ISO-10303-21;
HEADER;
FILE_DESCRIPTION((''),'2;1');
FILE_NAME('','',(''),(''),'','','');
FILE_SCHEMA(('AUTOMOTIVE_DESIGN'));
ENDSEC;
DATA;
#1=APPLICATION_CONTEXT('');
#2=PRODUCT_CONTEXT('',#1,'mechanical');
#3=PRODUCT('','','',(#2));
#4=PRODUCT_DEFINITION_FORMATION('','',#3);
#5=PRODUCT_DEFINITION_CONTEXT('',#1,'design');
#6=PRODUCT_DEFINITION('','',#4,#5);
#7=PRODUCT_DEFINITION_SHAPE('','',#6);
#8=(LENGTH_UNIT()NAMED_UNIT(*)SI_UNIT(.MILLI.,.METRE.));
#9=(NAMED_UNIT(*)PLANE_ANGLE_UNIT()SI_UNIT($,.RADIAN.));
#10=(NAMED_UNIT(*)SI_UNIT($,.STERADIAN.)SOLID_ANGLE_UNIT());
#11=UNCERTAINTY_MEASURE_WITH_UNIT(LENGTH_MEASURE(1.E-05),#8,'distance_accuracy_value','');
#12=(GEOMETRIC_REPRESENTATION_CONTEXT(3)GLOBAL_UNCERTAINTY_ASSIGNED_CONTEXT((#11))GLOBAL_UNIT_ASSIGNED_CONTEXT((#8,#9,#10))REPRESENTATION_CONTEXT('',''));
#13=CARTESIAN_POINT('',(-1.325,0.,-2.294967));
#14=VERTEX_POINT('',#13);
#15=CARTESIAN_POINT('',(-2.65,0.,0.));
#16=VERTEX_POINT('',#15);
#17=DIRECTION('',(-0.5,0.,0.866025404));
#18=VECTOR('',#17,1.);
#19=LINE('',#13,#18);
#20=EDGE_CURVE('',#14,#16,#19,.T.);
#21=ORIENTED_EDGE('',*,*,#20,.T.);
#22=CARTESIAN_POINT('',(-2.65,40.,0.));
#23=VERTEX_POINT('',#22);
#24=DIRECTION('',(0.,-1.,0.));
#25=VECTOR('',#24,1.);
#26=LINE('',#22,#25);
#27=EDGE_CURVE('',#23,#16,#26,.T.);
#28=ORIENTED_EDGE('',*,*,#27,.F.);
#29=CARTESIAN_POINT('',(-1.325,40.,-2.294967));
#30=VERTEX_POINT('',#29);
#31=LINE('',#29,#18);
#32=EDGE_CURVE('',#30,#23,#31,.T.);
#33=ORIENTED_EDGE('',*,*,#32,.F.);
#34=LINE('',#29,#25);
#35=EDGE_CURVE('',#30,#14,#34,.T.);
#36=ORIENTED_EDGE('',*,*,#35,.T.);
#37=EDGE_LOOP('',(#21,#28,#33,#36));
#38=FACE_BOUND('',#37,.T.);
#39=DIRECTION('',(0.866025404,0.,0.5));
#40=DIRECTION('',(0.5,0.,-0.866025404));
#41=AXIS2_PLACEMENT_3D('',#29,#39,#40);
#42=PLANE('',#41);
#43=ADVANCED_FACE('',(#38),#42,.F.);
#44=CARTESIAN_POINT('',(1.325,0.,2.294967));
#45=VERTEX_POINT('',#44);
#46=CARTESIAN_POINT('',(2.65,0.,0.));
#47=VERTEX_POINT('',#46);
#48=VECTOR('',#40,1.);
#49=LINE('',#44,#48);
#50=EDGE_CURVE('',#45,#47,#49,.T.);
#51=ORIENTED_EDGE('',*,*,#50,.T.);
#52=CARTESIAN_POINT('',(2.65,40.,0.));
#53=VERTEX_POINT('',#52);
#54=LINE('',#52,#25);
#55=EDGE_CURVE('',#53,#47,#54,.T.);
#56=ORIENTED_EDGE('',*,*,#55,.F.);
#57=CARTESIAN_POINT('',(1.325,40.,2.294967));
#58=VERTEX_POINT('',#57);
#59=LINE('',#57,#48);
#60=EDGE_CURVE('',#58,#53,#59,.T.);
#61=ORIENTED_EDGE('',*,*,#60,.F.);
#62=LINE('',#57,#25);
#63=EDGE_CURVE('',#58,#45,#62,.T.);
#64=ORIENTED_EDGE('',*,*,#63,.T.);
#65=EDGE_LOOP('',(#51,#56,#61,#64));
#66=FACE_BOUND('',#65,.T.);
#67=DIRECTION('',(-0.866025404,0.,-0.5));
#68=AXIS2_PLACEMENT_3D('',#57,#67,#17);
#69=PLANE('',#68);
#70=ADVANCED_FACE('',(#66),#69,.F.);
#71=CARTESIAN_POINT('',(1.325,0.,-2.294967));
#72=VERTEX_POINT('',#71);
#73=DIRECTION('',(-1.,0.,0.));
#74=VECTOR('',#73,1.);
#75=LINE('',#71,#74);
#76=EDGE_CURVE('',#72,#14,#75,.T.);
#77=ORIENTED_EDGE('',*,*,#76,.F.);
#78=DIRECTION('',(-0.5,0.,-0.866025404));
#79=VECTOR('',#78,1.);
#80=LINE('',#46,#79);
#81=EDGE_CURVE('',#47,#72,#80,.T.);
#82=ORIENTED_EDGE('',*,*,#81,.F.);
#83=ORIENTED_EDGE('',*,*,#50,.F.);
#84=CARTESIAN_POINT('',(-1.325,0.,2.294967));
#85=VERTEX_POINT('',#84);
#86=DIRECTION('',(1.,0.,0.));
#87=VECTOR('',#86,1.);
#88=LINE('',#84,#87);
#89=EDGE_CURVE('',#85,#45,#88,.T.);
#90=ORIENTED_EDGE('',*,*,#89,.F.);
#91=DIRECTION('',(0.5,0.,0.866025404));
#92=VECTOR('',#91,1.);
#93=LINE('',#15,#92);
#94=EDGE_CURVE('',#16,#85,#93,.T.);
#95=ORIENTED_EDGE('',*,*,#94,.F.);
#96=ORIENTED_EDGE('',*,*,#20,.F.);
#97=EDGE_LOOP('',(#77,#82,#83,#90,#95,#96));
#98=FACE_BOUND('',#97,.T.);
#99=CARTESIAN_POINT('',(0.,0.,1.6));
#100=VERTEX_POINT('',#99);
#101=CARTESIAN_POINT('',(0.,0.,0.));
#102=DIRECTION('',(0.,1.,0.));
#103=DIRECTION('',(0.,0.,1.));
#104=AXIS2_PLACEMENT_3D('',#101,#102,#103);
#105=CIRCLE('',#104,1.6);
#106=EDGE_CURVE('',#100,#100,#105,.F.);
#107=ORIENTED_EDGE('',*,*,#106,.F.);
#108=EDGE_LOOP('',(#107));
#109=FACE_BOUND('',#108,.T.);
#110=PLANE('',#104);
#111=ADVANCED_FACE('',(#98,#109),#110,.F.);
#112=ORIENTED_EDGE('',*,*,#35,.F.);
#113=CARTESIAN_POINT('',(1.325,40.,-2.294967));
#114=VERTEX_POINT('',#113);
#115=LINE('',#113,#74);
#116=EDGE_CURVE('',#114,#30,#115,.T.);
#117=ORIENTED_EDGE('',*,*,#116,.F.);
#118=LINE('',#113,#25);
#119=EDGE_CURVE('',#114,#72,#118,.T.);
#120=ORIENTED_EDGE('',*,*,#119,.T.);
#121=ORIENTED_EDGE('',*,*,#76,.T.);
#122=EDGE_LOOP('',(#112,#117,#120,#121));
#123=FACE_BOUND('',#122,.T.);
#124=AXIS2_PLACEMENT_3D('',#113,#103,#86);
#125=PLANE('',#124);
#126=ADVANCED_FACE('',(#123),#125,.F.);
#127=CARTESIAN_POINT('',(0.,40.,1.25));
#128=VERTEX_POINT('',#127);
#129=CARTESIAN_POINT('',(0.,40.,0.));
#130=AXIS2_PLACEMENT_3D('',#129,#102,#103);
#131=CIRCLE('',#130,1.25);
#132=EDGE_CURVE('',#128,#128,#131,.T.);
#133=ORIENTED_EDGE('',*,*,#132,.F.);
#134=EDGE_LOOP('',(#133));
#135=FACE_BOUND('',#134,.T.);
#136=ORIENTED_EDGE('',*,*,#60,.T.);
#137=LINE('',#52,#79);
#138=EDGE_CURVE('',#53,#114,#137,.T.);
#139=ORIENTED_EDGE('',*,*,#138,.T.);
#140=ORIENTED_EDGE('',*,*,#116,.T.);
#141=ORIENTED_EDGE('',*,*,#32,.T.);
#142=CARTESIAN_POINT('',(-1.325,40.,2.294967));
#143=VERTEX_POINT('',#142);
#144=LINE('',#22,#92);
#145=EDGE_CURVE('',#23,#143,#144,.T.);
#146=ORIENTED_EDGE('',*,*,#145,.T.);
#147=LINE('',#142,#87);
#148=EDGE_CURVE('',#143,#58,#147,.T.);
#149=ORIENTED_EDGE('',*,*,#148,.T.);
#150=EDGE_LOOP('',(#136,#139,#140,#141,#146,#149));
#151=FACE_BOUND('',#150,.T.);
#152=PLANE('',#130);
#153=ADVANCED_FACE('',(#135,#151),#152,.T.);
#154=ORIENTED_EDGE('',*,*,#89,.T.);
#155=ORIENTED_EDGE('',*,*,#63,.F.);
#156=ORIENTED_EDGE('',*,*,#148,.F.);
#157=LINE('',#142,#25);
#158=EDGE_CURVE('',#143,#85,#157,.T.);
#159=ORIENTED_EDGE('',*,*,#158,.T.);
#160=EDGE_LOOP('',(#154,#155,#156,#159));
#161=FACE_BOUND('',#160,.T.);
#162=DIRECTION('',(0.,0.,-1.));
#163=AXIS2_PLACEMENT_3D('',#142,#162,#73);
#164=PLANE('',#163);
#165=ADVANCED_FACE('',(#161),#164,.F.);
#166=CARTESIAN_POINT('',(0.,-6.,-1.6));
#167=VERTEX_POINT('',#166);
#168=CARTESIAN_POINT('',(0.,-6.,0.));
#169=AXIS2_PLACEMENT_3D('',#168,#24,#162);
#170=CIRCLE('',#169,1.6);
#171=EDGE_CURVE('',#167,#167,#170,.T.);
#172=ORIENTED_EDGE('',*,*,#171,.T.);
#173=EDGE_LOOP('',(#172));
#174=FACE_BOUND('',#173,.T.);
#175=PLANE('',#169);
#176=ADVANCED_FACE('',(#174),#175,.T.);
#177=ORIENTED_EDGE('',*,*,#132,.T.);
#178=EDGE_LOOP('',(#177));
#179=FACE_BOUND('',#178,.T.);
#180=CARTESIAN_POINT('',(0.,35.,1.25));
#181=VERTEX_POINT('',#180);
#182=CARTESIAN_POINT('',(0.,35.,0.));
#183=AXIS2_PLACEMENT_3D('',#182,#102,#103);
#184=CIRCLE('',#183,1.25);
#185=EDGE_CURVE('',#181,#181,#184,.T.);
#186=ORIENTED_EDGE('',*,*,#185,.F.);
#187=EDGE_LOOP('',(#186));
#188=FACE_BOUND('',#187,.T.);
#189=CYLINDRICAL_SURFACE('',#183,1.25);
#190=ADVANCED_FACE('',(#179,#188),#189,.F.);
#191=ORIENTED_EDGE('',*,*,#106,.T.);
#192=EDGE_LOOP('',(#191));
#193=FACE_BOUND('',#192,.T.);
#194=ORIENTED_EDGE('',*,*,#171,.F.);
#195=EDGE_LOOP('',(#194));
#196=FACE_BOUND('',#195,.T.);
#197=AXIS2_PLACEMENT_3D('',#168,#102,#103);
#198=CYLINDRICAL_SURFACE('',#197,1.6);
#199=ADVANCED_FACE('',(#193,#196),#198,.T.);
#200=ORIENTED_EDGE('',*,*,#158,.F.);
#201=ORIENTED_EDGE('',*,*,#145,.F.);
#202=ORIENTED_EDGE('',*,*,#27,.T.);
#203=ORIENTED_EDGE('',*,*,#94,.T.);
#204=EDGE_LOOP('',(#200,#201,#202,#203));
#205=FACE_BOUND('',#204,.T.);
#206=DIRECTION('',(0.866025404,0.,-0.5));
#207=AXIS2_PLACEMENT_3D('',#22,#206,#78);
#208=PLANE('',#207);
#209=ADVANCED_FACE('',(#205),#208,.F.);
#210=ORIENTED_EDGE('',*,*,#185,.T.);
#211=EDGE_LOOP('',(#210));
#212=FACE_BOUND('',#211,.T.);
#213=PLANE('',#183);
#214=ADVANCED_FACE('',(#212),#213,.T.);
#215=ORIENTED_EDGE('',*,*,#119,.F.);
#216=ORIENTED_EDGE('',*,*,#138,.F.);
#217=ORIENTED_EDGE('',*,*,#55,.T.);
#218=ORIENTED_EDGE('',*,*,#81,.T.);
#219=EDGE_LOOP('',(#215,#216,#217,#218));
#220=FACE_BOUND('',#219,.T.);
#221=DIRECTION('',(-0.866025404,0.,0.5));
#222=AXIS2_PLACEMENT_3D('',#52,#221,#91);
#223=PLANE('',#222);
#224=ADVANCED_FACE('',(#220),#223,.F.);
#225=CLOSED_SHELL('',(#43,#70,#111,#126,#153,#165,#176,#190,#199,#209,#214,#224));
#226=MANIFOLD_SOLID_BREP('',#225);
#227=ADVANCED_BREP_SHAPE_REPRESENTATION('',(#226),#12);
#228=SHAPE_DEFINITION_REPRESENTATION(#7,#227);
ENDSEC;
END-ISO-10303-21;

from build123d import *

# Parameters (mm, degrees)
EXTRUDE_1_DEPTH     = 40
SKETCH_6_R          = 1.6
EXTRUDE_2_DEPTH     = 6
SKETCH_7_R          = 1.25
CUT_EXTRUDE_1_DEPTH = 5


with BuildPart() as part:
    # 草图4 → 凸台-拉伸1 (new body)
    with BuildSketch(Plane(origin=(0, 0, 0), x_dir=(1, 0, 0), z_dir=(0, 1, 0))):
        Polygon((1.325, -2.29496732), (2.65, 0), (1.325, 2.29496732), (-1.325, 2.29496732), (-2.65, 0), (-1.325, -2.29496732), align=None)
    extrude(amount=EXTRUDE_1_DEPTH)

    # 草图6 → 凸台-拉伸2 (add)
    with BuildSketch(Plane(origin=(0, 0, 0), x_dir=(-1, 0, 0), z_dir=(0, -1, 0))):
        with Locations(Location((0, 0, 0), (0, 0, 270))):
            Circle(SKETCH_6_R)
    extrude(amount=EXTRUDE_2_DEPTH)

    # 草图7 → 切除-拉伸1 (cut)
    with BuildSketch(Plane(origin=(0, 40, 0), x_dir=(1, 0, 0), z_dir=(0, 1, 0))):
        with Locations(Location((0, 0, 0), (0, 0, 270))):
            Circle(SKETCH_7_R)
    extrude(amount=-CUT_EXTRUDE_1_DEPTH, mode=Mode.SUBTRACT)


solid = part.part
